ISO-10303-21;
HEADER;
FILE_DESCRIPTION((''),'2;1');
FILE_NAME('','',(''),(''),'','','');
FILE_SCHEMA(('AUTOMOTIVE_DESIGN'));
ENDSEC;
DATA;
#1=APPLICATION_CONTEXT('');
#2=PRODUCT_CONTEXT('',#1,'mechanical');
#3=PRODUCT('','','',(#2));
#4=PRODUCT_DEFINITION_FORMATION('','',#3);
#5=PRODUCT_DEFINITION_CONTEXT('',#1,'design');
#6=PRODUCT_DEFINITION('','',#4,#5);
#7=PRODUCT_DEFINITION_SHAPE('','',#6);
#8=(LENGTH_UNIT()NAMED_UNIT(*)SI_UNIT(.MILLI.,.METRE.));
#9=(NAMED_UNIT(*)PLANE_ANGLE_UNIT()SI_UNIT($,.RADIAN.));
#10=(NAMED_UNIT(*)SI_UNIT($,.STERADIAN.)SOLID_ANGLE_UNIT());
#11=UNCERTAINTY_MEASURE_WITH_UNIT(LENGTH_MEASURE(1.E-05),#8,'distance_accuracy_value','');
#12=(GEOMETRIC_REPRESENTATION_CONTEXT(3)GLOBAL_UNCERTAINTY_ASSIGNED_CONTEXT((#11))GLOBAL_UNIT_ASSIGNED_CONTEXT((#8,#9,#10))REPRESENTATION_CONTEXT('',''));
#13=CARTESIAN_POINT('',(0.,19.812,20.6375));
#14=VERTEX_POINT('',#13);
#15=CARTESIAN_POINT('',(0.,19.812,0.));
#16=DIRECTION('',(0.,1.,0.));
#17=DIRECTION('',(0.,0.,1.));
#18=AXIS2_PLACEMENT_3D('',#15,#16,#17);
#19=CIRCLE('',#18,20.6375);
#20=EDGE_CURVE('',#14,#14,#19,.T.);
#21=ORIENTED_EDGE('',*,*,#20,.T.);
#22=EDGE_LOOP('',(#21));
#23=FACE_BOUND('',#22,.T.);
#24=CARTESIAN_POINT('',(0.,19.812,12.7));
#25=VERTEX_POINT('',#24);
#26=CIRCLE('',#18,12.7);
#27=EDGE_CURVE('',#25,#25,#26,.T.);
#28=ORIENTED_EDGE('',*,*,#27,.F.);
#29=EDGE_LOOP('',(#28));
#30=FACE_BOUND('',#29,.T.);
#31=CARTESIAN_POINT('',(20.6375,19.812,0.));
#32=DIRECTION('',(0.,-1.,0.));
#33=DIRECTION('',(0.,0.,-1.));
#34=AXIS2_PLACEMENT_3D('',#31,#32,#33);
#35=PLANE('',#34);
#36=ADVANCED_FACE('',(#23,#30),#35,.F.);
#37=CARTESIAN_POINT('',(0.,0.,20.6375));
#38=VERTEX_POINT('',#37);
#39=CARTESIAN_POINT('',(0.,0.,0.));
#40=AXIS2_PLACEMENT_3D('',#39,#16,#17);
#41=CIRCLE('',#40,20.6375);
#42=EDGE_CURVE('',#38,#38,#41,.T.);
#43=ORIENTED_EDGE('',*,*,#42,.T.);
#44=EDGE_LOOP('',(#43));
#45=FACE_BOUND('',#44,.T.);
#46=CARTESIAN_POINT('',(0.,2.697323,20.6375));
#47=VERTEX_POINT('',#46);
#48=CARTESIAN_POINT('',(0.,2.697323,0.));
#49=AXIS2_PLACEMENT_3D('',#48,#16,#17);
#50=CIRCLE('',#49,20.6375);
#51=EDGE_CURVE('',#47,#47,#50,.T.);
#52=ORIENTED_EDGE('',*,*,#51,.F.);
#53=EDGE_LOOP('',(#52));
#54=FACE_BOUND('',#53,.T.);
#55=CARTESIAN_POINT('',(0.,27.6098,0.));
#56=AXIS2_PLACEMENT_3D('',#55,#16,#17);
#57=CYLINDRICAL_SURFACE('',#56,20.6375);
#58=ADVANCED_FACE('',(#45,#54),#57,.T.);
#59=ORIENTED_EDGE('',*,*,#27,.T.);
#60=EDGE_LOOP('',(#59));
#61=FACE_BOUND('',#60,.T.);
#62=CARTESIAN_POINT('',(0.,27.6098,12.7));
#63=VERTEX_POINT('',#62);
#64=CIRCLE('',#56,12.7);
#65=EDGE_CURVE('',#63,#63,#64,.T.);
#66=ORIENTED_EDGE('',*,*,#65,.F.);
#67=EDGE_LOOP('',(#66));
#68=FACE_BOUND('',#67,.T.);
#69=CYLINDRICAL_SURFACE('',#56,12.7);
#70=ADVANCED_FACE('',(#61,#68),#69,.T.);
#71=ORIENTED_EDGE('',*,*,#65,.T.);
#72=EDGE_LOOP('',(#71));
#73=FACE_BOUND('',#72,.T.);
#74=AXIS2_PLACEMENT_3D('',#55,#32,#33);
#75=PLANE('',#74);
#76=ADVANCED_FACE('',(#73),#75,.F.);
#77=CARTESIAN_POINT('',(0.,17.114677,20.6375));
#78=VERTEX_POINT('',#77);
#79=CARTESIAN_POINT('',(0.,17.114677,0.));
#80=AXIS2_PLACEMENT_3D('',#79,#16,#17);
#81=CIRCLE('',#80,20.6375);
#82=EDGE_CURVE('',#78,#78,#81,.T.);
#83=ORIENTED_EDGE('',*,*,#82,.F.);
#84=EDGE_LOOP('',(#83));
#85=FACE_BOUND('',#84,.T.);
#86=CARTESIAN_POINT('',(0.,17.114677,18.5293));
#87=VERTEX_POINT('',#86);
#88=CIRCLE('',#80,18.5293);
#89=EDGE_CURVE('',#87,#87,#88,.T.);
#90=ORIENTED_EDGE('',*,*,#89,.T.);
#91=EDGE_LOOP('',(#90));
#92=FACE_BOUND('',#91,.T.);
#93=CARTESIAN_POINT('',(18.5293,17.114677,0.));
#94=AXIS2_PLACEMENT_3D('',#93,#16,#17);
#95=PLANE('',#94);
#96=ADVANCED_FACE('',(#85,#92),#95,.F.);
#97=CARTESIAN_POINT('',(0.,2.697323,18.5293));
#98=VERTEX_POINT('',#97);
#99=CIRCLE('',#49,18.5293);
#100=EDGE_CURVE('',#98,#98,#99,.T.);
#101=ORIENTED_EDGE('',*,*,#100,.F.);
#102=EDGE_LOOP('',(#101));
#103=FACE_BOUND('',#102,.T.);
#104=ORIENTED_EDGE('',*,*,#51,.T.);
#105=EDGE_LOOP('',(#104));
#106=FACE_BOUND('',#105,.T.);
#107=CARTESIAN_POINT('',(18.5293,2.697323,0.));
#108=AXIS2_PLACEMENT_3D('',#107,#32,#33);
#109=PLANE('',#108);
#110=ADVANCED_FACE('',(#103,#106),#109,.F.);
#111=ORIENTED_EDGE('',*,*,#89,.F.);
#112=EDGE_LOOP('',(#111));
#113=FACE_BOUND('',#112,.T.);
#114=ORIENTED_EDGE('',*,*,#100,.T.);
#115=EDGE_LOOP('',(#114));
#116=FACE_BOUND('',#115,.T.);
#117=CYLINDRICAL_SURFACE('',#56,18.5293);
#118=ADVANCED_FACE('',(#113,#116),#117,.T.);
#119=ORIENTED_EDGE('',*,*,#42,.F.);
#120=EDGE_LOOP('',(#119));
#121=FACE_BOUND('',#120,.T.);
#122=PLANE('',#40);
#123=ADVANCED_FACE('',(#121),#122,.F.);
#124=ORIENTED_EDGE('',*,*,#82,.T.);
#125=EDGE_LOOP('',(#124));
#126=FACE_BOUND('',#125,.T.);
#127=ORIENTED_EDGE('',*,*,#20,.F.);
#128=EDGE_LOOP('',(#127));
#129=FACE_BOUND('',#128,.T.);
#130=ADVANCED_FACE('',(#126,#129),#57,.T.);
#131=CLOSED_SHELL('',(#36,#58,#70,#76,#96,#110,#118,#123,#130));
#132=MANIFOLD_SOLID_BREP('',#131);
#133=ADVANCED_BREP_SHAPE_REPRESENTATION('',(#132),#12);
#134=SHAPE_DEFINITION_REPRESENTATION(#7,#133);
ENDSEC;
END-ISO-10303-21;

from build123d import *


with BuildPart() as part:
    # Sketch1 → Revolve1 (revolve)
    with BuildSketch(Plane.XY):
        Polygon((0, 27.6098), (12.7, 27.6098), (12.7, 19.812), (20.6375, 19.812), (20.6375, 17.114676672), (18.5293, 17.114676672), (18.5293, 2.697323328), (20.6375, 2.697323328), (20.6375, 0), (0, 0), align=None)
    revolve(axis=Axis((0, 27.6098, 0), (0, -1, 0)))


solid = part.part
